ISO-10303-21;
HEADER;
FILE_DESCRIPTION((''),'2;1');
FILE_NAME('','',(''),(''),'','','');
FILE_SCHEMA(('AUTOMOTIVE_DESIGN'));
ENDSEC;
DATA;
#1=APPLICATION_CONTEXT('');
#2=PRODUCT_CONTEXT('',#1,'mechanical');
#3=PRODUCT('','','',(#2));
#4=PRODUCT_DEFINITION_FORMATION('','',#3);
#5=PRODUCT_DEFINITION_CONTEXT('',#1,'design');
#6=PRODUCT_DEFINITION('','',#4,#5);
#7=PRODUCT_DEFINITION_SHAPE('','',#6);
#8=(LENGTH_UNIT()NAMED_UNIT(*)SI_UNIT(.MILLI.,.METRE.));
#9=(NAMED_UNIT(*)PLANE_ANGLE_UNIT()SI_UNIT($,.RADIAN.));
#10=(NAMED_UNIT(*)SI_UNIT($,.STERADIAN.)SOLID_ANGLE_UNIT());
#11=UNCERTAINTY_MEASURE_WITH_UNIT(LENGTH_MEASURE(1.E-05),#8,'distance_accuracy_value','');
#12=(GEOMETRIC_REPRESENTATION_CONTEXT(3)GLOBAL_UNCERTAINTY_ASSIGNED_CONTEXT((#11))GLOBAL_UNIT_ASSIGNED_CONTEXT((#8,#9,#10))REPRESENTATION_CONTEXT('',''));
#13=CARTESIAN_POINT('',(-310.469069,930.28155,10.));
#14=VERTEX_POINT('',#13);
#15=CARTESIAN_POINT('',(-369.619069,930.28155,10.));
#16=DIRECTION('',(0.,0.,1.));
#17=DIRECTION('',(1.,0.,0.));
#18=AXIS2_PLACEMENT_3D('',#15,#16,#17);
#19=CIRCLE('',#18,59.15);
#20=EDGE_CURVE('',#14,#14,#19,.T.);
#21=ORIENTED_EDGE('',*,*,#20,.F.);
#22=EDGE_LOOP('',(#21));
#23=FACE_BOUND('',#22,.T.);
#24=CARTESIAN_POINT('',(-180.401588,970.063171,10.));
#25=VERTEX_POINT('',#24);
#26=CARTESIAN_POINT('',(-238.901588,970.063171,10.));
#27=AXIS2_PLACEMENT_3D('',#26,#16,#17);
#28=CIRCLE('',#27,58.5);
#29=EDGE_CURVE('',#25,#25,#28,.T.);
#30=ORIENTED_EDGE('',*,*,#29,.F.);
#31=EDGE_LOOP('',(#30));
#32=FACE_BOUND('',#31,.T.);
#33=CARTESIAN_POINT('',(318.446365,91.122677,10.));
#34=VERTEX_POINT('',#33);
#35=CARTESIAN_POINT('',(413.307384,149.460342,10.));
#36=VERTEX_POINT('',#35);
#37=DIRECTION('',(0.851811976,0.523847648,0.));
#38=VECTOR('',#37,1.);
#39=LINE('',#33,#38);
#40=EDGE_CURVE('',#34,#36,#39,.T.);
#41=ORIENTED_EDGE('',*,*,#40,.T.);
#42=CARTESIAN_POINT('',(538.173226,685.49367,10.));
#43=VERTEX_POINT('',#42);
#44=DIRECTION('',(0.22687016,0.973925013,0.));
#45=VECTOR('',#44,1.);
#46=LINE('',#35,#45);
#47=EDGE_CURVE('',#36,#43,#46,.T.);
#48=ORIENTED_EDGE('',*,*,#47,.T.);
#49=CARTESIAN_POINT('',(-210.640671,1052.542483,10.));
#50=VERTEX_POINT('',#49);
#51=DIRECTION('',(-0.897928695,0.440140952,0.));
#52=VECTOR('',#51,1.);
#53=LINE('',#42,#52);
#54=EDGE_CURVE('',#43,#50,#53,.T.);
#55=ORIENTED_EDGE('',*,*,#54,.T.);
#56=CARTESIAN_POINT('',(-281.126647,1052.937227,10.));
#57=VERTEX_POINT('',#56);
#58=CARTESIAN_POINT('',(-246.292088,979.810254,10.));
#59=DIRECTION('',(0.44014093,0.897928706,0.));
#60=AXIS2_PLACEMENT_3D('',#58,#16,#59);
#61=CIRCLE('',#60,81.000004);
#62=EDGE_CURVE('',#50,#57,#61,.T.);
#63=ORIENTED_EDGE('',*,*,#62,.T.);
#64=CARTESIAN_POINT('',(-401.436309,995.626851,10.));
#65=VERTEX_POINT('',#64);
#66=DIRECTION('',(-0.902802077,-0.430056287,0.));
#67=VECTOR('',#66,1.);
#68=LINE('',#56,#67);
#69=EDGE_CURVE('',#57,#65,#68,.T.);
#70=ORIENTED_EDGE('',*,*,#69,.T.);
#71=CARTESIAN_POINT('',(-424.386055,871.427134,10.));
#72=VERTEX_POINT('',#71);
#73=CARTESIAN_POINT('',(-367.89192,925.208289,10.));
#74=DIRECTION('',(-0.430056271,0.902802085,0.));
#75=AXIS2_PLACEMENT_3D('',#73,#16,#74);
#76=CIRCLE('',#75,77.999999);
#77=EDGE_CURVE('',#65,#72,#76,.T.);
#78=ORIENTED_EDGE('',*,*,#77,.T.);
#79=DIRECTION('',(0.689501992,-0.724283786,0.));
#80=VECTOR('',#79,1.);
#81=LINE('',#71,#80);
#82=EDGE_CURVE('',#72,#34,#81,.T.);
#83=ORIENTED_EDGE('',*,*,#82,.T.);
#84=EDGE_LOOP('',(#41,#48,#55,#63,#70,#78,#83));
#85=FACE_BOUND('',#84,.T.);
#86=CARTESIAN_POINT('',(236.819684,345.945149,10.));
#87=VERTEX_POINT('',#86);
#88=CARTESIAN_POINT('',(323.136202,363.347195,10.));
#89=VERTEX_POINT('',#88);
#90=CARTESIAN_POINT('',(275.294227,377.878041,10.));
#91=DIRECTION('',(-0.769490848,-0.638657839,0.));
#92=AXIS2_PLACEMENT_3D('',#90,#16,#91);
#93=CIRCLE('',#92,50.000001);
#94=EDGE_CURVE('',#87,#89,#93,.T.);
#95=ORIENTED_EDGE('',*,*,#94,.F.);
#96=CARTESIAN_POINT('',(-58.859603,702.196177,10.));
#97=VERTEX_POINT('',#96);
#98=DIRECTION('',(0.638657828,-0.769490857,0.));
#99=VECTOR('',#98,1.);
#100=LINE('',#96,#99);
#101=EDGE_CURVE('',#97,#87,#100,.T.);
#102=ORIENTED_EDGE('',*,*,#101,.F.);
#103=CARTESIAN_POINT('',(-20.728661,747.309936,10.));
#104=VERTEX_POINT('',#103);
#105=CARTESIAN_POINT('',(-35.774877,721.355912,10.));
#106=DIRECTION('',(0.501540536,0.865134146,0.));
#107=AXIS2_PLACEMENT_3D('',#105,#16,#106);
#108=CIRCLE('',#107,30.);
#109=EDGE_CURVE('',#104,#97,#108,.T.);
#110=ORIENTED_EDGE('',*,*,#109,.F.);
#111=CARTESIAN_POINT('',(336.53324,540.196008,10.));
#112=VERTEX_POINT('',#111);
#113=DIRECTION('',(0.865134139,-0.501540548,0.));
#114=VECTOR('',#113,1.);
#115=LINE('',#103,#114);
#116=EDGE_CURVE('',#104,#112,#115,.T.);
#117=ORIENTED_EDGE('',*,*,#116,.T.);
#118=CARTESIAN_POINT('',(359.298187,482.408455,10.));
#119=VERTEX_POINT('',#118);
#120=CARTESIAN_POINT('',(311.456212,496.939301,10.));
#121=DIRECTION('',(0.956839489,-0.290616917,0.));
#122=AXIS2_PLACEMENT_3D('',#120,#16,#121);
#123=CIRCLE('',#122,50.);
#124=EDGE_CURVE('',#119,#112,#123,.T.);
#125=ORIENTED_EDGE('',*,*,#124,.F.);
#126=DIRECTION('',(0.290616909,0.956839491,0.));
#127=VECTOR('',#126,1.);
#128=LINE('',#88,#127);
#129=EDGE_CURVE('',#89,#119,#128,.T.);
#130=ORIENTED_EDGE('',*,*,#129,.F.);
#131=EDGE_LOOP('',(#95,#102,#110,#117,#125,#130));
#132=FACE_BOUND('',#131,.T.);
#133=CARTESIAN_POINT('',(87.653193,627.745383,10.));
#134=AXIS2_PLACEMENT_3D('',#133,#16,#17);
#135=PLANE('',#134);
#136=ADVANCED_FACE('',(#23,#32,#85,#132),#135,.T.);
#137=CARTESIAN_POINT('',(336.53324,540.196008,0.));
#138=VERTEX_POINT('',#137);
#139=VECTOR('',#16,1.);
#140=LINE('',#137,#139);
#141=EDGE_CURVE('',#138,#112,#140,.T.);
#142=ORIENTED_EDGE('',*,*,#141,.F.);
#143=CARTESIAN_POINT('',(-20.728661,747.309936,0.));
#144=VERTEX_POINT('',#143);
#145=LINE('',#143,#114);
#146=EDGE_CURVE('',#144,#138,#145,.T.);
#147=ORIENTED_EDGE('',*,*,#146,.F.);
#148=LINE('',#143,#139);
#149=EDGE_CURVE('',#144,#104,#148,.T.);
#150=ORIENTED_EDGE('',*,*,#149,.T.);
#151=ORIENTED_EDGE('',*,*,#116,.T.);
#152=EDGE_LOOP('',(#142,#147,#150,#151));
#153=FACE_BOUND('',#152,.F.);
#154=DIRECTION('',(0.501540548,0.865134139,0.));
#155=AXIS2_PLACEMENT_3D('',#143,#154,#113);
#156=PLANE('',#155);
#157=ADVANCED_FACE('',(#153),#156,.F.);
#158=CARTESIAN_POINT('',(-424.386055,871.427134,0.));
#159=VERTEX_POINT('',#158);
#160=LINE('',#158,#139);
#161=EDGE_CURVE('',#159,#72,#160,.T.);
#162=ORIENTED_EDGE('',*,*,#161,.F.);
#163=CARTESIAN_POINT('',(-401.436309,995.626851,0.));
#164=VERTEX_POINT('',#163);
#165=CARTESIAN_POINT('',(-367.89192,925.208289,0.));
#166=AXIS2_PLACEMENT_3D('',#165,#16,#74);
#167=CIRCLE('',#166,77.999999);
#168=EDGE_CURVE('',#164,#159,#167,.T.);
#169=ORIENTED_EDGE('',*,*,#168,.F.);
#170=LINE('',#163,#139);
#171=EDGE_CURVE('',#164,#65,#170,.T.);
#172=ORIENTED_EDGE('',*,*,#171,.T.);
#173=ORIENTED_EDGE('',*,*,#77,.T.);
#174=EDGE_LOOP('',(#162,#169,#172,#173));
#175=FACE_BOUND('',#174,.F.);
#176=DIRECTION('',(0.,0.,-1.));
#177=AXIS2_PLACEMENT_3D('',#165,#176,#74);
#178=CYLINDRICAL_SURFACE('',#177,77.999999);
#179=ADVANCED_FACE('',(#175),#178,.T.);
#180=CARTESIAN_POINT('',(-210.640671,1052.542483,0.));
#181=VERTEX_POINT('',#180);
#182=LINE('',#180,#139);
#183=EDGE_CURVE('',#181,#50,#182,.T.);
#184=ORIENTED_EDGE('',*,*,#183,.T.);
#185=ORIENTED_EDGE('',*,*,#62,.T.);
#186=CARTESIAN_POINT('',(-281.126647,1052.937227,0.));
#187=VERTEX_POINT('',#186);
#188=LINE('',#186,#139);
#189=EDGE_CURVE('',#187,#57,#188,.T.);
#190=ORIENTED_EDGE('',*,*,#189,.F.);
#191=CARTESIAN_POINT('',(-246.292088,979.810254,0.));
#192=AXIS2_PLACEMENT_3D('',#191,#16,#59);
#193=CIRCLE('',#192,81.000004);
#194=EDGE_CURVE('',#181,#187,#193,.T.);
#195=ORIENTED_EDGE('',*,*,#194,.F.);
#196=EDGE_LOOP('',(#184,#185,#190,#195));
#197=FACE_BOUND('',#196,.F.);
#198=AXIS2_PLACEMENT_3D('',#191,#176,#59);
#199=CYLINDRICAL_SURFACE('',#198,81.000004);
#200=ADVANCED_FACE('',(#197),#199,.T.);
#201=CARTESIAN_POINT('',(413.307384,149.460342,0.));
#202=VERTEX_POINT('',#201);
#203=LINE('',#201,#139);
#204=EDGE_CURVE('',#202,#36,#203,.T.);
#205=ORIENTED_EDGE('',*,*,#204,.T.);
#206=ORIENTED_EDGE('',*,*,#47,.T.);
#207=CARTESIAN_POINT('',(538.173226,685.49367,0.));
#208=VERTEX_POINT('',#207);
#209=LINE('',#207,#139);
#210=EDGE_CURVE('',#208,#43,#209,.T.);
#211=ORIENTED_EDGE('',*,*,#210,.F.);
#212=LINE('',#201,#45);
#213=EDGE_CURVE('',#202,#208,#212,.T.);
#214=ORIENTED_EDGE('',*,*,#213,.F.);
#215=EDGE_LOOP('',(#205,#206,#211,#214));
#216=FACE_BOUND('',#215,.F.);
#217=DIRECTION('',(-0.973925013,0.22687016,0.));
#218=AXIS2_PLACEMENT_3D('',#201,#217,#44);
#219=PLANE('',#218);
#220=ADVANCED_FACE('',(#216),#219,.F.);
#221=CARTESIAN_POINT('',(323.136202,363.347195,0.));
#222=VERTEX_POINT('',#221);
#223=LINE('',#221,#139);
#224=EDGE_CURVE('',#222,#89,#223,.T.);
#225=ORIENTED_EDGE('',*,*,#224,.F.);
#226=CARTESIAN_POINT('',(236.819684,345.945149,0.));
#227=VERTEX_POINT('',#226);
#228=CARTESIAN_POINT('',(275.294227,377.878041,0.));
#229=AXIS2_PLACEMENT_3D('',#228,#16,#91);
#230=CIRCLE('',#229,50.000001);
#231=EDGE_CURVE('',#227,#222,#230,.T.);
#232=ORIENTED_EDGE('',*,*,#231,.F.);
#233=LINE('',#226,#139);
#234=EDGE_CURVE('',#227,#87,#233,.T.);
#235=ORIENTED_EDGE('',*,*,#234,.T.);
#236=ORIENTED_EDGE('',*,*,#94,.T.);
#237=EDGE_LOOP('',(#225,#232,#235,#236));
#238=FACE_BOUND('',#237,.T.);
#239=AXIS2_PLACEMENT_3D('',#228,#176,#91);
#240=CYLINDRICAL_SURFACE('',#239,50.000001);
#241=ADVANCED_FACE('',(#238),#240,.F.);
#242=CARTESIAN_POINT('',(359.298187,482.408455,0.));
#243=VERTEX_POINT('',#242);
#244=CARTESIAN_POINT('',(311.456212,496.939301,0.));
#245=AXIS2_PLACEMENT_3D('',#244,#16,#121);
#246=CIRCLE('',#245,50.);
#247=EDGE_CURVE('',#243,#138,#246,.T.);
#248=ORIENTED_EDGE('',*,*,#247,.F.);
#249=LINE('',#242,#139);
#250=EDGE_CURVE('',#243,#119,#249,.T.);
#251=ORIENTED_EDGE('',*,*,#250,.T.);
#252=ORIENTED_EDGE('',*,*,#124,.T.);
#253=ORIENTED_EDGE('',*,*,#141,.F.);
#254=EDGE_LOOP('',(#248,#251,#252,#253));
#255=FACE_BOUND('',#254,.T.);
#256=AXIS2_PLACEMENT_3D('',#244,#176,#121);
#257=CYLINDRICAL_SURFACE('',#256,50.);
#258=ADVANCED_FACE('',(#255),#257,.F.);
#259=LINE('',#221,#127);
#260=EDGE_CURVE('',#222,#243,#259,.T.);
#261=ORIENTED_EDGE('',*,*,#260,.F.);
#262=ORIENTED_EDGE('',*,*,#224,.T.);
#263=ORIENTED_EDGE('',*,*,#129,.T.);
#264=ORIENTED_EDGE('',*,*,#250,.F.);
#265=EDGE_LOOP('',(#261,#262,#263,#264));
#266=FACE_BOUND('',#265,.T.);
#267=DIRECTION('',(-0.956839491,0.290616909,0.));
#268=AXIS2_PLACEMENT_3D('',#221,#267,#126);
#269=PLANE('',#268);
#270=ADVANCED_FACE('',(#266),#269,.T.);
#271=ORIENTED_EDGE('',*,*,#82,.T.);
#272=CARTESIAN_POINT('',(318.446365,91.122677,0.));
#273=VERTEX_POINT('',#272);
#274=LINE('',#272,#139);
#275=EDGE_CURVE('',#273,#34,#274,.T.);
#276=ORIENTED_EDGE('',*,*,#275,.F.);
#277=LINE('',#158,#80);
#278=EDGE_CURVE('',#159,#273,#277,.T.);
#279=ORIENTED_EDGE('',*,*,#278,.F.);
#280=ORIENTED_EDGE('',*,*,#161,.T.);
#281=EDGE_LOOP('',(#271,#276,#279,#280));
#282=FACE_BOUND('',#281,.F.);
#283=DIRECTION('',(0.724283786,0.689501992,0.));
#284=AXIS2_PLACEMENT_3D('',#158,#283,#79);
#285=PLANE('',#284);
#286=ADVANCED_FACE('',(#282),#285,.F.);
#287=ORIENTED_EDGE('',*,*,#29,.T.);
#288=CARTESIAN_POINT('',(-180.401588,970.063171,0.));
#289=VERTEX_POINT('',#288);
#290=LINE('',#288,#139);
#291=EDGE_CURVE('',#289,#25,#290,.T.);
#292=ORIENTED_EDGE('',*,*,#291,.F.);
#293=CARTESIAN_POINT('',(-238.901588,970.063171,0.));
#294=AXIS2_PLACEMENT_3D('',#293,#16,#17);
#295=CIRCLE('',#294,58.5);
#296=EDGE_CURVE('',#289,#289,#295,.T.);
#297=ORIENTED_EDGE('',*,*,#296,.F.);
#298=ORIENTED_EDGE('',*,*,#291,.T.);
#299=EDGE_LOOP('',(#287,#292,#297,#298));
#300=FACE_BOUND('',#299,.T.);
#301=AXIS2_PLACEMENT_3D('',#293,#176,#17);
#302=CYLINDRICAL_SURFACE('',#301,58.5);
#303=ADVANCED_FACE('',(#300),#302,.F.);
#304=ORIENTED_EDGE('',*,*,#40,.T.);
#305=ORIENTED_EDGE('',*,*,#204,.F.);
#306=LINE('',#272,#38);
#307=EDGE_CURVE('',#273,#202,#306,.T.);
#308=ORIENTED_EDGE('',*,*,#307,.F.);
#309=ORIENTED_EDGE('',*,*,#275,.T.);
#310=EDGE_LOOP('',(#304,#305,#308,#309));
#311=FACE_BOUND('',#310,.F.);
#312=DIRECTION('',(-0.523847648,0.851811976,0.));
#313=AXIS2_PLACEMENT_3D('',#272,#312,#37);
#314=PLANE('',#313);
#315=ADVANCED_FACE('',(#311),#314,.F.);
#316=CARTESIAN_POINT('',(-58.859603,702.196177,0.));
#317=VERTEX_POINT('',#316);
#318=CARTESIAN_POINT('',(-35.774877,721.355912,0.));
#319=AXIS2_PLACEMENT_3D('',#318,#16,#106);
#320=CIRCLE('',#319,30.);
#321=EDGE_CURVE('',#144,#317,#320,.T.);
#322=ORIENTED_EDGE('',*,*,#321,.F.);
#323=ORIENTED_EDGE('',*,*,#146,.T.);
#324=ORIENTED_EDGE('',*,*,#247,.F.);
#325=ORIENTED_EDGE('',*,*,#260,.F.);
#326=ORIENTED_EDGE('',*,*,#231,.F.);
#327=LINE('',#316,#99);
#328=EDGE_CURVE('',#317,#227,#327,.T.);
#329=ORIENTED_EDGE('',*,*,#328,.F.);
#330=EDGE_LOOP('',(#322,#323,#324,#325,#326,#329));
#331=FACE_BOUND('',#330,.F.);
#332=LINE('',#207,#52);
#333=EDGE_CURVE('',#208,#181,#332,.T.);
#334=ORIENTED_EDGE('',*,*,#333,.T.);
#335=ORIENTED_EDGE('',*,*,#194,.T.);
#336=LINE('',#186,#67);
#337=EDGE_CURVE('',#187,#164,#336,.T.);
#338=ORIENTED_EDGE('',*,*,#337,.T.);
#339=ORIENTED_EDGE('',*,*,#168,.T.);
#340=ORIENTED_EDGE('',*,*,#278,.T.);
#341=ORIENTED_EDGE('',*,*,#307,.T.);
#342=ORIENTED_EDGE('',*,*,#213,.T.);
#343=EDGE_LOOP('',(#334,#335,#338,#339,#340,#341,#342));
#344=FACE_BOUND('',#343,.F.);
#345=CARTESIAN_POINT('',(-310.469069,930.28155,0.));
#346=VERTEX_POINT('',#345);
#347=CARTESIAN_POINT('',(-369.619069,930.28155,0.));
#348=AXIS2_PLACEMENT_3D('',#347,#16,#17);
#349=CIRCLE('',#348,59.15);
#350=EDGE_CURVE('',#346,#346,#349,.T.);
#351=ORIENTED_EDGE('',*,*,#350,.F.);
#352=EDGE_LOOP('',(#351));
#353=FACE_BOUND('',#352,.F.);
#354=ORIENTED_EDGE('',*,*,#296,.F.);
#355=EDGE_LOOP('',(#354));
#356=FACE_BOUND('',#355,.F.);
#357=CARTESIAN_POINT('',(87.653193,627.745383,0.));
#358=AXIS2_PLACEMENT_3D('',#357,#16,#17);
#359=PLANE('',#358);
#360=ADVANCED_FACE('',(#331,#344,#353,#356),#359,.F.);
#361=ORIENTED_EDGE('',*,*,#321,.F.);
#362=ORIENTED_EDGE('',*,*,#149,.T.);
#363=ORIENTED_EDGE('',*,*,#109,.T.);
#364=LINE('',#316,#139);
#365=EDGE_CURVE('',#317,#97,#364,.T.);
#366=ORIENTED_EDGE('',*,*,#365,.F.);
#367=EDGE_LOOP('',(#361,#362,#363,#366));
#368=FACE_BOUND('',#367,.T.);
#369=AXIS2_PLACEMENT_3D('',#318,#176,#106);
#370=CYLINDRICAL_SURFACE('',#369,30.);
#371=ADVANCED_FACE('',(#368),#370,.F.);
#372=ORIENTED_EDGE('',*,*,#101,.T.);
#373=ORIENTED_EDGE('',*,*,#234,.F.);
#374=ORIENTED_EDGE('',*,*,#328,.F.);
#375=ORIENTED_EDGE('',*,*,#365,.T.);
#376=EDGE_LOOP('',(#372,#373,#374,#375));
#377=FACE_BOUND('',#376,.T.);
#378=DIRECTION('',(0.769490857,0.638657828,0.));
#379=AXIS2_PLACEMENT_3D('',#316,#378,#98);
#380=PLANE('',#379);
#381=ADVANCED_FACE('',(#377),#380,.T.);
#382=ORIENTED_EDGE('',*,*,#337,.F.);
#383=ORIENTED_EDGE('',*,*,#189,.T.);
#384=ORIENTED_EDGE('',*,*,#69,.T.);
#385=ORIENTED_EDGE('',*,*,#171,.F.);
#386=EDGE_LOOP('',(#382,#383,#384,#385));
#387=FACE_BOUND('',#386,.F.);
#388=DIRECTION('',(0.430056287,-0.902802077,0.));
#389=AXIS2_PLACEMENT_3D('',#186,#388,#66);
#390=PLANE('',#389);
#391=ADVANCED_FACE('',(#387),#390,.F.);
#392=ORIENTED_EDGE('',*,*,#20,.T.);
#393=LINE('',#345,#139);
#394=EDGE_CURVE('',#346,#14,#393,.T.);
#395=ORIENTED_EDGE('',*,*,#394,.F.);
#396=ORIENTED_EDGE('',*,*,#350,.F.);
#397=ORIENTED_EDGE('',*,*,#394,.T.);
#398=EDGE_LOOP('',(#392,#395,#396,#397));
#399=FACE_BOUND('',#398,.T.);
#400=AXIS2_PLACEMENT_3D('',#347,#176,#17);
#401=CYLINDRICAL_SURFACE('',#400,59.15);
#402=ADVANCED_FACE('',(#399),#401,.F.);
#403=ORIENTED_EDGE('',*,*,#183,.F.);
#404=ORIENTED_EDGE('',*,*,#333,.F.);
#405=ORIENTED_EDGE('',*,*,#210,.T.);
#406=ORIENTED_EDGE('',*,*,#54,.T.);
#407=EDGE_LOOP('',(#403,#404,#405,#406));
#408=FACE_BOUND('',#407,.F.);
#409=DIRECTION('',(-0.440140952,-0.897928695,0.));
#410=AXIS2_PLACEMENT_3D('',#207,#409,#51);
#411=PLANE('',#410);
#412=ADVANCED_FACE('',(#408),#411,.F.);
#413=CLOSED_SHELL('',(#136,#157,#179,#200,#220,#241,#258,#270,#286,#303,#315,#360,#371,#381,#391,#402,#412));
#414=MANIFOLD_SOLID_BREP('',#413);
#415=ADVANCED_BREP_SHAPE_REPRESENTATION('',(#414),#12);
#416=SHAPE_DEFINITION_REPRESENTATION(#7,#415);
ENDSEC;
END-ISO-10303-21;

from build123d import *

# Parameters (mm, degrees)
SKETCH_R   = 58.5
SKETCH_R_2 = 59.15
PAD_DEPTH  = 10


with BuildPart() as part:
    # Sketch → Pad (new body)
    with BuildSketch(Plane.XY):
        with BuildLine():
            Line((-424.386055, 871.427134), (318.446365, 91.122677))
            Line((318.446365, 91.122677), (413.307384, 149.460342))
            Line((413.307384, 149.460342), (538.173226, 685.49367))
            Line((538.173226, 685.49367), (-210.640671, 1052.542483))
            ThreePointArc((-210.640671, 1052.542483), (-245.83847, 1060.808988), (-281.126647, 1052.937227))
            Line((-281.126647, 1052.937227), (-401.436309, 995.626851))
            ThreePointArc((-401.436309, 995.626851), (-444.593461, 939.381275), (-424.386055, 871.427134))
        make_face()
        with Locations((-238.901588, 970.063171)):
            Circle(SKETCH_R, mode=Mode.SUBTRACT)
        with Locations((-369.619069, 930.28155)):
            Circle(SKETCH_R_2, mode=Mode.SUBTRACT)
        with BuildLine():
            ThreePointArc((-20.728661, 747.309936), (-58.68704, 740.721675), (-58.859603, 702.196177))
            Line((-58.859603, 702.196177), (236.819684, 345.945149))
            ThreePointArc((236.819684, 345.945149), (285.175775, 328.864216), (323.136202, 363.347195))
            Line((323.136202, 363.347195), (359.298187, 482.408455))
            ThreePointArc((359.298187, 482.408455), (357.97659, 515.265634), (336.53324, 540.196008))
            Line((-20.728661, 747.309936), (336.53324, 540.196008))
        make_face(mode=Mode.SUBTRACT)
    extrude(amount=PAD_DEPTH)


solid = part.part
